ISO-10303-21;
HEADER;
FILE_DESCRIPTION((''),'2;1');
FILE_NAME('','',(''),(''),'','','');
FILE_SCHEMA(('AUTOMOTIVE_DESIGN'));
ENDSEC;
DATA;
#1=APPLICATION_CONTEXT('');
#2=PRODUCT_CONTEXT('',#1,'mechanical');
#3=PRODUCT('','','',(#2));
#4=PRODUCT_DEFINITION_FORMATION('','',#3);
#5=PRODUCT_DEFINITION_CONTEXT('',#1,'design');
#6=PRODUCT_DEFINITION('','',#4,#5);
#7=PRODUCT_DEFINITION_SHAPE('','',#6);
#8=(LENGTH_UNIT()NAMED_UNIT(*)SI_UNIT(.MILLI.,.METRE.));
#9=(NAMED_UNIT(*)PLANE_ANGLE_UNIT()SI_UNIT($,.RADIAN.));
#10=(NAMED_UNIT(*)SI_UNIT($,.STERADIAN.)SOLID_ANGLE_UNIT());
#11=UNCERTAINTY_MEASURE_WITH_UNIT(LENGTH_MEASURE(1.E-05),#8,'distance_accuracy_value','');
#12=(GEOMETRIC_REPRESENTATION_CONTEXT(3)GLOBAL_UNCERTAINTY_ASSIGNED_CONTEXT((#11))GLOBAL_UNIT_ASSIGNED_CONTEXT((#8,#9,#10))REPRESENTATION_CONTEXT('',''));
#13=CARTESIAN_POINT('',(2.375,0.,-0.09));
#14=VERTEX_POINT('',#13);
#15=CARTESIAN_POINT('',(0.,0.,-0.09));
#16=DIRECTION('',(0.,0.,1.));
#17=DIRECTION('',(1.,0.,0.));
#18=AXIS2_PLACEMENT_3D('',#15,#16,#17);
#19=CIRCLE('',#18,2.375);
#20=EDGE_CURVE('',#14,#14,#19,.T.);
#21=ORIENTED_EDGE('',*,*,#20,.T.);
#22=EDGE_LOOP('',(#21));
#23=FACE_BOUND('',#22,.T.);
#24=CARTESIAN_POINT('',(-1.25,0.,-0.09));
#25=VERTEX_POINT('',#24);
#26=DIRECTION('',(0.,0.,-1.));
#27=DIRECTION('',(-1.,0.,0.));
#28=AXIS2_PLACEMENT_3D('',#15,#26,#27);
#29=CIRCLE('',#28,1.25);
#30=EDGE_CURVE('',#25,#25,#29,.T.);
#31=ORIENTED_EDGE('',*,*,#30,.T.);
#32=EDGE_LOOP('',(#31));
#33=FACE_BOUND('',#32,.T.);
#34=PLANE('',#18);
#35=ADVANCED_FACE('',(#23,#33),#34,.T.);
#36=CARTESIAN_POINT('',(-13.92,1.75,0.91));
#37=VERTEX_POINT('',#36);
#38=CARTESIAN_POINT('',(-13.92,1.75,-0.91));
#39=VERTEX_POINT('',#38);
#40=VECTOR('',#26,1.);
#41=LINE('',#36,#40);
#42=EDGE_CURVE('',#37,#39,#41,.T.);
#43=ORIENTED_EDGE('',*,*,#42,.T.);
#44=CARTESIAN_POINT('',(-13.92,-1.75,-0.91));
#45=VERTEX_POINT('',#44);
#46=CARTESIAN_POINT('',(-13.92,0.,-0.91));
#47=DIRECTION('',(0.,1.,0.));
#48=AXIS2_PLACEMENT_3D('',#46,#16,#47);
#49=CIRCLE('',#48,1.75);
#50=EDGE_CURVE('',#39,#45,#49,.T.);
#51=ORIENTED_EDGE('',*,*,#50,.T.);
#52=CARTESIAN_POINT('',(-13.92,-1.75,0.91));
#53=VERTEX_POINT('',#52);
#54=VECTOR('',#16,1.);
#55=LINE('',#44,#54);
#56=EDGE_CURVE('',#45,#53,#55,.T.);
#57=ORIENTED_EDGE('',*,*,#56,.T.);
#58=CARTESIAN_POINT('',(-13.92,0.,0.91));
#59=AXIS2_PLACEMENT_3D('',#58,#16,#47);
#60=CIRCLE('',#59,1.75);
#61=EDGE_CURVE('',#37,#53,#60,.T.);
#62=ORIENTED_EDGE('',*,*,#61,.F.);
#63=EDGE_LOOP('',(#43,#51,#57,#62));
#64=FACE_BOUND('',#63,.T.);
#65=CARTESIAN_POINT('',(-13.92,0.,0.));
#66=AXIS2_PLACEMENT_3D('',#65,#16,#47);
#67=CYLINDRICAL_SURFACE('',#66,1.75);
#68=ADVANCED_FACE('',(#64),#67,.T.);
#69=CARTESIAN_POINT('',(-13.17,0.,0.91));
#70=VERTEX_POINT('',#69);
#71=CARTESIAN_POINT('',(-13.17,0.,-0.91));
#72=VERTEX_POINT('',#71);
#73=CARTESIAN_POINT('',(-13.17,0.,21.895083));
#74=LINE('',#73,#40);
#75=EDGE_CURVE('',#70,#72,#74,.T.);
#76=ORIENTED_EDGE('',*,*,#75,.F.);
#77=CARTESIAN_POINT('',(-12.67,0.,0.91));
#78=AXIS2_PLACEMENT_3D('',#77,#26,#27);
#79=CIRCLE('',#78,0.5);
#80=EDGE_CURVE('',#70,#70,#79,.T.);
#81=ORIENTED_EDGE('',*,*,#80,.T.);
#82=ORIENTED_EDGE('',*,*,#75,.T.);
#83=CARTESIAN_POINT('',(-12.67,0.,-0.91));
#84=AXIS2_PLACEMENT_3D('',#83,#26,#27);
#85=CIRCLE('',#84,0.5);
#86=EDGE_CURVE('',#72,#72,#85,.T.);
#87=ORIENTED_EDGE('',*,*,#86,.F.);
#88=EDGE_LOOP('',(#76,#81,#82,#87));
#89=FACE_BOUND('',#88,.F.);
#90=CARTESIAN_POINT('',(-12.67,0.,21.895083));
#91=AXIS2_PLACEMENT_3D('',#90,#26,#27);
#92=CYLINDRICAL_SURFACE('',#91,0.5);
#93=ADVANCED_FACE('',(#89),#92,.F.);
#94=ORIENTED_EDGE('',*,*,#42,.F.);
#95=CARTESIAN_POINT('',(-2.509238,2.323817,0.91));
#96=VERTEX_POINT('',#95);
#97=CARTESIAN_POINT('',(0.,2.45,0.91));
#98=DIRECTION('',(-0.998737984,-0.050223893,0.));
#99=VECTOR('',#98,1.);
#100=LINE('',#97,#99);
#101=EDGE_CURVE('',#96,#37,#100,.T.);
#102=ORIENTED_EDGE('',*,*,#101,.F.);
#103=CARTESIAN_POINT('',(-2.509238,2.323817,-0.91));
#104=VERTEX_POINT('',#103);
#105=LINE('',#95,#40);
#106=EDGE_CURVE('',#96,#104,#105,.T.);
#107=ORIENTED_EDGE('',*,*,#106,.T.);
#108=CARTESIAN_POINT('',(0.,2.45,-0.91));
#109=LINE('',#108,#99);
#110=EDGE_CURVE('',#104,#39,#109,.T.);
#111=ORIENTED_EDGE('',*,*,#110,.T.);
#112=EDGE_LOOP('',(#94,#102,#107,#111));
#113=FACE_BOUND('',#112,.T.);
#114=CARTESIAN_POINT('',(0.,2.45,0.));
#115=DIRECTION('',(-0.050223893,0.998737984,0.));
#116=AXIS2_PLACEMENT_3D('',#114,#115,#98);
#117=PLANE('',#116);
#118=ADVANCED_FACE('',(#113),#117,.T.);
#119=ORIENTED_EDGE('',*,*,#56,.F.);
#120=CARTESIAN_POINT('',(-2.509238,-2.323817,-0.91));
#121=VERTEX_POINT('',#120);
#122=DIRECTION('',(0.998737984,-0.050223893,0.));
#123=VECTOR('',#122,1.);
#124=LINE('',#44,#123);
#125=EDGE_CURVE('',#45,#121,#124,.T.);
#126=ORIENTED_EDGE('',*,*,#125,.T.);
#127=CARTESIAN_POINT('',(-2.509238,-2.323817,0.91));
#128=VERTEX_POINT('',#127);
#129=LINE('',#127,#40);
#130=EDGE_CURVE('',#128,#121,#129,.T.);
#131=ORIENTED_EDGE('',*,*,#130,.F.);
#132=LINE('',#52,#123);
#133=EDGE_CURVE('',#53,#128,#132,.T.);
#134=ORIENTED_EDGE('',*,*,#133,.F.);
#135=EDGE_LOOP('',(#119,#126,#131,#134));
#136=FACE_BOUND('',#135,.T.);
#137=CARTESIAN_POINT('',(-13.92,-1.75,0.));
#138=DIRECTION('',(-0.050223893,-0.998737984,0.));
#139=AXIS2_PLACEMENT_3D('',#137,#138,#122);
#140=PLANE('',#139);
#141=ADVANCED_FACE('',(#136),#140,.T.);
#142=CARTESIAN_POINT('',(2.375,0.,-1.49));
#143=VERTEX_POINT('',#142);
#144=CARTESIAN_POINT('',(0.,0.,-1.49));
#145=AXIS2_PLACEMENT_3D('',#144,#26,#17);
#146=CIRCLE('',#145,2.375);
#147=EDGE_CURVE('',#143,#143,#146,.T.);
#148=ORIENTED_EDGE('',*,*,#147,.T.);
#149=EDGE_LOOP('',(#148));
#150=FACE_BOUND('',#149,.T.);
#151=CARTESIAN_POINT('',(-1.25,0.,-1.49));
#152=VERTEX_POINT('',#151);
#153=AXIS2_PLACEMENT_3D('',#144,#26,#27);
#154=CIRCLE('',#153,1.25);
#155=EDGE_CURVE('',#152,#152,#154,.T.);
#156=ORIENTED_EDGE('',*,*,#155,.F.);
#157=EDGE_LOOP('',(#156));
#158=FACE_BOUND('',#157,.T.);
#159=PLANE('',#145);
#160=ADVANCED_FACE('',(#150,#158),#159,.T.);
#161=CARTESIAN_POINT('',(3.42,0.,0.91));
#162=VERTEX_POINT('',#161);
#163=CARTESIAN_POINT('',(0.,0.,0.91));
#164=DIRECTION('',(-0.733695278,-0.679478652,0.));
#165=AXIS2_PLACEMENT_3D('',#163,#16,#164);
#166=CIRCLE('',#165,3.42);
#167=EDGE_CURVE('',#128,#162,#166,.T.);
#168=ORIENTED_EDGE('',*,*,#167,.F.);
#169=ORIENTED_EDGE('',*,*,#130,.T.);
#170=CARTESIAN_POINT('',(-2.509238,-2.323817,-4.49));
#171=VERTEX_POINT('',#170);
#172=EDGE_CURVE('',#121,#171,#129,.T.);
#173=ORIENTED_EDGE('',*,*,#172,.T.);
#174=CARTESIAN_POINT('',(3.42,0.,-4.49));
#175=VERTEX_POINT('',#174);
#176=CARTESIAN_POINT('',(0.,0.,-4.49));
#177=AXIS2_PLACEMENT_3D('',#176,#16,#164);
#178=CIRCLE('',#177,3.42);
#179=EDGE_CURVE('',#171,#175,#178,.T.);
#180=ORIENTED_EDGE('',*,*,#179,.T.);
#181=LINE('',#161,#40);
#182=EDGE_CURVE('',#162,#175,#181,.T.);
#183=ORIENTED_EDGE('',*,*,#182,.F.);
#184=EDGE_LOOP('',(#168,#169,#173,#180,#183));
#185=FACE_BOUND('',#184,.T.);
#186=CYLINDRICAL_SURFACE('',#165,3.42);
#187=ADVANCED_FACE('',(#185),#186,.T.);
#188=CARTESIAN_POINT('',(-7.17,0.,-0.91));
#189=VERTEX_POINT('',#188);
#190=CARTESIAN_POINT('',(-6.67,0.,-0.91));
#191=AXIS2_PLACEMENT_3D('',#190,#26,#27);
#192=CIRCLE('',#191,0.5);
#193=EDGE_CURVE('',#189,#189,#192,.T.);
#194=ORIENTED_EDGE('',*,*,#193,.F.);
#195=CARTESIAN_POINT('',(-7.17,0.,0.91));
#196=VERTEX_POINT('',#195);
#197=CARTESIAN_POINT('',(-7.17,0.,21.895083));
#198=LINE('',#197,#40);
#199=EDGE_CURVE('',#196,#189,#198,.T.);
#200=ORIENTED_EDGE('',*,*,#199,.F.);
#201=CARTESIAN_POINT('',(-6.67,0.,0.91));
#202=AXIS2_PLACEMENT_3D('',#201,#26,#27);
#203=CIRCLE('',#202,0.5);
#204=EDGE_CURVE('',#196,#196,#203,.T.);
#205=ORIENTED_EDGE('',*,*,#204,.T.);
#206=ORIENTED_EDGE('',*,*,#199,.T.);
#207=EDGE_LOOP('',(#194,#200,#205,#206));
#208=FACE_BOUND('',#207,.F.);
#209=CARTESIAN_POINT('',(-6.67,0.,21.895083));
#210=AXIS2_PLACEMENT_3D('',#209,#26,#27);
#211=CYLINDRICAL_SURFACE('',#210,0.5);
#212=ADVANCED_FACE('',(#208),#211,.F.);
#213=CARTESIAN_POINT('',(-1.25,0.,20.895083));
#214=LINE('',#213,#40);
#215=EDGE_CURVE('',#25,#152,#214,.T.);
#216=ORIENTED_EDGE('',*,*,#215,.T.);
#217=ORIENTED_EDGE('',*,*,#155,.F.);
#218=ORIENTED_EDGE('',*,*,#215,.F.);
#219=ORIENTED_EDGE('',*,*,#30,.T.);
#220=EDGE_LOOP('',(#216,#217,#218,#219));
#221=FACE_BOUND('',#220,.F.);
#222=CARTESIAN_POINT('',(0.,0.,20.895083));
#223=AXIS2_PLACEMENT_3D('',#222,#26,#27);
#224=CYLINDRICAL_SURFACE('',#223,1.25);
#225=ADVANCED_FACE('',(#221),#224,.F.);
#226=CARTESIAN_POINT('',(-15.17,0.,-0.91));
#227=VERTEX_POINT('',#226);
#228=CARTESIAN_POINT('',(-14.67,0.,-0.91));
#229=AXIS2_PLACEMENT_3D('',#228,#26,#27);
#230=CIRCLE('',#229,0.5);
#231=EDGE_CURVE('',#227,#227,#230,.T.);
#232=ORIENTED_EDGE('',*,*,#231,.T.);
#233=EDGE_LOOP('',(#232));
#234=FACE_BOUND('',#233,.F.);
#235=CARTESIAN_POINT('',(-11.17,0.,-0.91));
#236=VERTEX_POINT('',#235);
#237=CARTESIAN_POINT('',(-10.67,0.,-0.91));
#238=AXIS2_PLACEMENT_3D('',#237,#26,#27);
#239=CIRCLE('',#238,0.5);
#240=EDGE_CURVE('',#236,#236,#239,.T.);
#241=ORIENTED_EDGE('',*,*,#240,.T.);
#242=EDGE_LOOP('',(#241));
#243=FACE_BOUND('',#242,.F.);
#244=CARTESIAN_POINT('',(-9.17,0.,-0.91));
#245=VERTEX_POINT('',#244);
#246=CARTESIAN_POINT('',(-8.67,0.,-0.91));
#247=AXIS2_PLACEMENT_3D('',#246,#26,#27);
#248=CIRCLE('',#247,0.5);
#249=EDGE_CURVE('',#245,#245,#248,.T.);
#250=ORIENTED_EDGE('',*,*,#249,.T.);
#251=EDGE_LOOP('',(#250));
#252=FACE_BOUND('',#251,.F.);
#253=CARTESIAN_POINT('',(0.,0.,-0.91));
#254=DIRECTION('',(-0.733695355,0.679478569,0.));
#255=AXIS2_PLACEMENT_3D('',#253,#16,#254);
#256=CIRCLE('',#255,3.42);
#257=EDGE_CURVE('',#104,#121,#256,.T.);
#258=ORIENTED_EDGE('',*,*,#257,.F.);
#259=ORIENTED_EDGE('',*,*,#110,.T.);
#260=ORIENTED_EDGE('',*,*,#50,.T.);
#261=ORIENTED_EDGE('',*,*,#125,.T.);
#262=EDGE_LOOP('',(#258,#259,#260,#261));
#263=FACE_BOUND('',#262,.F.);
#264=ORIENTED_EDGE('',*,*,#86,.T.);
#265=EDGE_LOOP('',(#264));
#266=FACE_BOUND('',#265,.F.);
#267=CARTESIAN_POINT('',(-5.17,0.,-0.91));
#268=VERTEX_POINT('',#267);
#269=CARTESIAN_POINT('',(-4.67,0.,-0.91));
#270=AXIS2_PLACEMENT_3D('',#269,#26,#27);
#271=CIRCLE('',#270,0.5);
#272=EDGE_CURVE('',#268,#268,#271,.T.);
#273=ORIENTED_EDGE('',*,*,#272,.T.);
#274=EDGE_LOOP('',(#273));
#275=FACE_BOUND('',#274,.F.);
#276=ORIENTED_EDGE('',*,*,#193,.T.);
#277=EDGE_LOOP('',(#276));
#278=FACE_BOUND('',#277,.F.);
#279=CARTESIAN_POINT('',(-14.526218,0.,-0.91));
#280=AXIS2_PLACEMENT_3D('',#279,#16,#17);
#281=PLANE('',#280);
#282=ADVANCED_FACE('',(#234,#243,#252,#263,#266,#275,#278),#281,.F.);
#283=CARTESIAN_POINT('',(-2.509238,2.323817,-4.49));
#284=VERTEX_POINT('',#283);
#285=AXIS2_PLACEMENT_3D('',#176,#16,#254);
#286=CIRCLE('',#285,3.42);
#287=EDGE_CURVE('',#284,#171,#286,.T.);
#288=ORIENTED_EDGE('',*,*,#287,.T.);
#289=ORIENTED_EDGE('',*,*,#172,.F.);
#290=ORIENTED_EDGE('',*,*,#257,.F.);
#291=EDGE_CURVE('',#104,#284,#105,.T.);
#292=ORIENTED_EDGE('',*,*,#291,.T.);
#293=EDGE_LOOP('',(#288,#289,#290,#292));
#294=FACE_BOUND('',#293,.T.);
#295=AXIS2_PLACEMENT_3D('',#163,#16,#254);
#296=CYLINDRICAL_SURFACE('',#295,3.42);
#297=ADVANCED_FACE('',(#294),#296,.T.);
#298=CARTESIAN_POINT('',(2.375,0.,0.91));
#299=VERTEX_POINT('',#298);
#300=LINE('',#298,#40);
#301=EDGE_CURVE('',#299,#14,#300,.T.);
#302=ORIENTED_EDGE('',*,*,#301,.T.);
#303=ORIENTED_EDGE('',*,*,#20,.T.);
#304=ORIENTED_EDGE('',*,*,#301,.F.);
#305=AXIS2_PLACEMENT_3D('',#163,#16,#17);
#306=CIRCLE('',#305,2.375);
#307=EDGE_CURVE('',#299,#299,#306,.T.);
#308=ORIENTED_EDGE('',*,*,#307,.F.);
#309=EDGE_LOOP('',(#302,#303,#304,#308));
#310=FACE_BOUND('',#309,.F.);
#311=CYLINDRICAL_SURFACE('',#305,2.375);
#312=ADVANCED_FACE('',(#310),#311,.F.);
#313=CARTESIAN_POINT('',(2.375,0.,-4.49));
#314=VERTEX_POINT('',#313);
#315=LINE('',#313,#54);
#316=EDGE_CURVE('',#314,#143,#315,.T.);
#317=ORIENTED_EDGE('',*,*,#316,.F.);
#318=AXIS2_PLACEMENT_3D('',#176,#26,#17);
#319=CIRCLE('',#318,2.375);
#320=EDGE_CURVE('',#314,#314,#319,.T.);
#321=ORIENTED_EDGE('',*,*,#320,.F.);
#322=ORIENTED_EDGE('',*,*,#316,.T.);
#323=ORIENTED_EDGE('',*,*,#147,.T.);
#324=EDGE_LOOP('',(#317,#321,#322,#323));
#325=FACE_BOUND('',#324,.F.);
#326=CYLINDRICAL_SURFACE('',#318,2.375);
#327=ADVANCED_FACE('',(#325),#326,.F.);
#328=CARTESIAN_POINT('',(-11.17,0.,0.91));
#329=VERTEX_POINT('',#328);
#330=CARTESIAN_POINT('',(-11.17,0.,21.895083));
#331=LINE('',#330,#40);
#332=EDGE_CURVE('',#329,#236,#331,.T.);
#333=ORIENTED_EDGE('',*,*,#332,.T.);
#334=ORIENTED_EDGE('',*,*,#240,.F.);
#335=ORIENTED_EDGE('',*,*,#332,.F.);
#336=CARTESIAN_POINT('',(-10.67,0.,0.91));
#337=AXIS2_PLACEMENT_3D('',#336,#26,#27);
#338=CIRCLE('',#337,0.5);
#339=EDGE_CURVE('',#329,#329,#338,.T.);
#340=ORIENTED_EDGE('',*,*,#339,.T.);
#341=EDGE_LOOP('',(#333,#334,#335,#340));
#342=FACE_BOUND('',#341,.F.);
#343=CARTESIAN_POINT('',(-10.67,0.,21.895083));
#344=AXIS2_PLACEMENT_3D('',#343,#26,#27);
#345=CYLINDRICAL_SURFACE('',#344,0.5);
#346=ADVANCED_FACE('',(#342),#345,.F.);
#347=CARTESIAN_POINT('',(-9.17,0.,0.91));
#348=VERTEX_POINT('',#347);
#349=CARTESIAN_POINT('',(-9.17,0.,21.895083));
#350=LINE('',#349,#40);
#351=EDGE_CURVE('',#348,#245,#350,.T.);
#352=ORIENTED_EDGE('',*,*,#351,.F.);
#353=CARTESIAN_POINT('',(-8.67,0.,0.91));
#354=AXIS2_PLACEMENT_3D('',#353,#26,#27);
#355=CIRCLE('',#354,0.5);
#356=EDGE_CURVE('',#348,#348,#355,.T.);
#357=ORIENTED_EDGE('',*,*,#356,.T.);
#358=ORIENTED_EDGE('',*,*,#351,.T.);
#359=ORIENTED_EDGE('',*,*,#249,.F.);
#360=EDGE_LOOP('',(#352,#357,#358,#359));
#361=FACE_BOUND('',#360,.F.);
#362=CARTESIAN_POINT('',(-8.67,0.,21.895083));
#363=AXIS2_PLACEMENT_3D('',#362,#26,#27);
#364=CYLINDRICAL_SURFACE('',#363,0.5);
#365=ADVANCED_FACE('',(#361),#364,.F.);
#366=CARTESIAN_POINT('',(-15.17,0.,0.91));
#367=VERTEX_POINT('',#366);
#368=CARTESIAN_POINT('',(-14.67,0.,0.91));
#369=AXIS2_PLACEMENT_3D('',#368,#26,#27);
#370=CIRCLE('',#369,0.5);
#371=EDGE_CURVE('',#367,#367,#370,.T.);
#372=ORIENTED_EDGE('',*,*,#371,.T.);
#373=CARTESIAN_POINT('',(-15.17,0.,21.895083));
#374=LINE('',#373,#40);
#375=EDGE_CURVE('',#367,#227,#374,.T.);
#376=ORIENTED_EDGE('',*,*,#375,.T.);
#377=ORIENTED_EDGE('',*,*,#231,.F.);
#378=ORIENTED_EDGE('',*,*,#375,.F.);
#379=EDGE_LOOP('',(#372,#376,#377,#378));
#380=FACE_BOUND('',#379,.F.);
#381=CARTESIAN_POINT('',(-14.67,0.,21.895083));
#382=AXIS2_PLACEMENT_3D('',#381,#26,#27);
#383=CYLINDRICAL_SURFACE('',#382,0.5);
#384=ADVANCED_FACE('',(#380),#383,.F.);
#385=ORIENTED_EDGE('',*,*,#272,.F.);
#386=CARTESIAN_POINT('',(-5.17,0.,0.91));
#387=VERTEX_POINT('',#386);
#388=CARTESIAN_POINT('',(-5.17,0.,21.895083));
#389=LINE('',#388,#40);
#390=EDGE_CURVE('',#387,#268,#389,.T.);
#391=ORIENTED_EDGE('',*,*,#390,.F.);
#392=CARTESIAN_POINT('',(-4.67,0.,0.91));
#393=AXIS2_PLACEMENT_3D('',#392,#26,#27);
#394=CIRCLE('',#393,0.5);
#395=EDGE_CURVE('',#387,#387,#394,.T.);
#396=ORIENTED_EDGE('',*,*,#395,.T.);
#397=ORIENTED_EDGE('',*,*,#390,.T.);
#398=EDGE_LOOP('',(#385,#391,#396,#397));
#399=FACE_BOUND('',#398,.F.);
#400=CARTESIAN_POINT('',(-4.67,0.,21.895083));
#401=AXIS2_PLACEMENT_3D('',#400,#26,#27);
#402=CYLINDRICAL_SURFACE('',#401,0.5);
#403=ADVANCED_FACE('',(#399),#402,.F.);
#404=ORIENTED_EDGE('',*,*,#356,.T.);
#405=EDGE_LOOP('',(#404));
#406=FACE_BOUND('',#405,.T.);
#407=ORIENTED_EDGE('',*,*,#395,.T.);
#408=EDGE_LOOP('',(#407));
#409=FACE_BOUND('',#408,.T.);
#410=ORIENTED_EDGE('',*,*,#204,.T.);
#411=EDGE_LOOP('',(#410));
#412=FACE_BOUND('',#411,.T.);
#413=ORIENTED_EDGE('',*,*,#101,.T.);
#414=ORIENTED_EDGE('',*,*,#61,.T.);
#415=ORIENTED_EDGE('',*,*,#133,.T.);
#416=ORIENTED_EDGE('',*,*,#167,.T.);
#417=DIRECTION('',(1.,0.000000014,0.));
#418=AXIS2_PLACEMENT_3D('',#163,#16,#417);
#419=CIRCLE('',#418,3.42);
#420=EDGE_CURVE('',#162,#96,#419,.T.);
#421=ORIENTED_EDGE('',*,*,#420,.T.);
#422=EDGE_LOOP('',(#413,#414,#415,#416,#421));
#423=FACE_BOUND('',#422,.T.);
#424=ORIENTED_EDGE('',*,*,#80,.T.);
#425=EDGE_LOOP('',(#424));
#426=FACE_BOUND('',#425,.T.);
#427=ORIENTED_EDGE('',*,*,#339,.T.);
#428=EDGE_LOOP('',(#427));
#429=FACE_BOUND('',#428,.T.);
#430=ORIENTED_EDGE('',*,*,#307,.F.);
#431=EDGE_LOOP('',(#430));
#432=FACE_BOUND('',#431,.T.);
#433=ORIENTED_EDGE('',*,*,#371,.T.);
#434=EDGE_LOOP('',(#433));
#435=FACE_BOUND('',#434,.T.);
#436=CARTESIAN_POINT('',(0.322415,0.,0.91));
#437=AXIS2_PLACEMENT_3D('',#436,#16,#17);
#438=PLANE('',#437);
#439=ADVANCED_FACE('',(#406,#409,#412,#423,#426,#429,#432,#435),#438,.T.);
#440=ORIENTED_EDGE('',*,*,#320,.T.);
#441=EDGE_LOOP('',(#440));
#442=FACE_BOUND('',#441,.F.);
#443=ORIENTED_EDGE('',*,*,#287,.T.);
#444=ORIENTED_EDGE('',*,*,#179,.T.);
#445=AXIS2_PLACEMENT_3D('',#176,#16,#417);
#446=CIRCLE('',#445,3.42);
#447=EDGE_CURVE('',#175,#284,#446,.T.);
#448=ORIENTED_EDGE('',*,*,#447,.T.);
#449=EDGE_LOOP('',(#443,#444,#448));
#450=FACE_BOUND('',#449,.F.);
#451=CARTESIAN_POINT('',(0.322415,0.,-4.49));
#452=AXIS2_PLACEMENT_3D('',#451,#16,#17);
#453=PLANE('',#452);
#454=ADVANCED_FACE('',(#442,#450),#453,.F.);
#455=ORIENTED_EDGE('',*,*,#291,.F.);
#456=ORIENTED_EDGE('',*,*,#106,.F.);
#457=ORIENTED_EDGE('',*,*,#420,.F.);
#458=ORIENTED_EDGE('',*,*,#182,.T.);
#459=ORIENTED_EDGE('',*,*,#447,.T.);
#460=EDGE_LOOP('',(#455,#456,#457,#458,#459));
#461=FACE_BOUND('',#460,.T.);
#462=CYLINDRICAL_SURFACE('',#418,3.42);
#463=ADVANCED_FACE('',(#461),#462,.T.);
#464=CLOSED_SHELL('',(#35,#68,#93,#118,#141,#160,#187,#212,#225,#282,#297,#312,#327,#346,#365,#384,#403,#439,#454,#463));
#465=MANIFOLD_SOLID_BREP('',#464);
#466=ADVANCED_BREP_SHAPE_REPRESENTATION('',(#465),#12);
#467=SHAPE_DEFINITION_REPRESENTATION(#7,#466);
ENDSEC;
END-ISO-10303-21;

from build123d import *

# Parameters (mm, degrees)
F1_DEPTH = 0.91
F3_DEPTH = 5.4
F4_R     = 2.375
F5_DEPTH = 1
F6_R     = 2.375
F7_DEPTH = 3
F9_D     = 2.5
F11_D    = 1


with BuildPart() as f1:
    # F0 (on Top) → F1 (new body, symmetric)
    with BuildSketch(Plane.XY):
        with BuildLine():
            Line((-13.92, -1.75), (-13.92, 1.75))
            ThreePointArc((-13.92, 1.75), (-15.67, 0), (-13.92, -1.75))
        make_face()
        with BuildLine():
            ThreePointArc((-13.92, 1.75), (-12.682563, 1.237437), (-12.17, 0))
            ThreePointArc((-12.17, 0), (-12.682563, -1.237437), (-13.92, -1.75))
            Line((-13.92, -1.75), (0, -2.45))
            Line((0, -2.45), (0, 2.45))
            Line((0, 2.45), (-13.92, 1.75))
        make_face()
        with BuildLine():
            ThreePointArc((-13.92, -1.75), (-12.682563, -1.237437), (-12.17, 0))
            ThreePointArc((-12.17, 0), (-12.682563, 1.237437), (-13.92, 1.75))
            Line((-13.92, 1.75), (-13.92, -1.75))
        make_face()
    extrude(amount=F1_DEPTH, both=True)

    # F2 (on face) → F3 (join)
    with BuildSketch(Plane.XY.offset(0.91)):
        with BuildLine():
            ThreePointArc((-2.509238, -2.323817), (1.24796, -3.184179), (3.42, 0))
            ThreePointArc((3.42, 0), (1.24796, 3.184179), (-2.509238, 2.323817))
            Line((-2.509238, 2.323817), (0, 2.45))
            Line((0, 2.45), (0, -2.45))
            Line((0, -2.45), (-2.509238, -2.323817))
        make_face()
        with BuildLine():
            Line((0, 2.45), (-2.509238, 2.323817))
            ThreePointArc((-2.509238, 2.323817), (-3.42, 0), (-2.509238, -2.323817))
            Line((-2.509238, -2.323817), (0, -2.45))
            Line((0, -2.45), (0, 2.45))
        make_face()
    extrude(amount=-F3_DEPTH)

    # F4 (on face) → F5 (cut)
    with BuildSketch(Plane.XY.offset(0.91)):
        Circle(F4_R)
    extrude(amount=-F5_DEPTH, mode=Mode.SUBTRACT)

    # F6 (on face) → F7 (cut)
    with BuildSketch(Plane(origin=(0, 0, -4.49), x_dir=(1, 0, 0), z_dir=(0, 0, -1))):
        Circle(F6_R)
    extrude(amount=-F7_DEPTH, mode=Mode.SUBTRACT)

    # F9 (through all)
    with Locations(Plane.XY.offset(-0.09)):
        with Locations((0, 0)):
            Hole(F9_D / 2)

    # F11 (through all)
    with Locations(Plane.XY.offset(0.91)):
        with Locations((-14.67, 0), (-12.67, 0), (-10.67, 0), (-8.67, 0), (-6.67, 0), (-4.67, 0)):
            Hole(F11_D / 2)


solid = f1.part
